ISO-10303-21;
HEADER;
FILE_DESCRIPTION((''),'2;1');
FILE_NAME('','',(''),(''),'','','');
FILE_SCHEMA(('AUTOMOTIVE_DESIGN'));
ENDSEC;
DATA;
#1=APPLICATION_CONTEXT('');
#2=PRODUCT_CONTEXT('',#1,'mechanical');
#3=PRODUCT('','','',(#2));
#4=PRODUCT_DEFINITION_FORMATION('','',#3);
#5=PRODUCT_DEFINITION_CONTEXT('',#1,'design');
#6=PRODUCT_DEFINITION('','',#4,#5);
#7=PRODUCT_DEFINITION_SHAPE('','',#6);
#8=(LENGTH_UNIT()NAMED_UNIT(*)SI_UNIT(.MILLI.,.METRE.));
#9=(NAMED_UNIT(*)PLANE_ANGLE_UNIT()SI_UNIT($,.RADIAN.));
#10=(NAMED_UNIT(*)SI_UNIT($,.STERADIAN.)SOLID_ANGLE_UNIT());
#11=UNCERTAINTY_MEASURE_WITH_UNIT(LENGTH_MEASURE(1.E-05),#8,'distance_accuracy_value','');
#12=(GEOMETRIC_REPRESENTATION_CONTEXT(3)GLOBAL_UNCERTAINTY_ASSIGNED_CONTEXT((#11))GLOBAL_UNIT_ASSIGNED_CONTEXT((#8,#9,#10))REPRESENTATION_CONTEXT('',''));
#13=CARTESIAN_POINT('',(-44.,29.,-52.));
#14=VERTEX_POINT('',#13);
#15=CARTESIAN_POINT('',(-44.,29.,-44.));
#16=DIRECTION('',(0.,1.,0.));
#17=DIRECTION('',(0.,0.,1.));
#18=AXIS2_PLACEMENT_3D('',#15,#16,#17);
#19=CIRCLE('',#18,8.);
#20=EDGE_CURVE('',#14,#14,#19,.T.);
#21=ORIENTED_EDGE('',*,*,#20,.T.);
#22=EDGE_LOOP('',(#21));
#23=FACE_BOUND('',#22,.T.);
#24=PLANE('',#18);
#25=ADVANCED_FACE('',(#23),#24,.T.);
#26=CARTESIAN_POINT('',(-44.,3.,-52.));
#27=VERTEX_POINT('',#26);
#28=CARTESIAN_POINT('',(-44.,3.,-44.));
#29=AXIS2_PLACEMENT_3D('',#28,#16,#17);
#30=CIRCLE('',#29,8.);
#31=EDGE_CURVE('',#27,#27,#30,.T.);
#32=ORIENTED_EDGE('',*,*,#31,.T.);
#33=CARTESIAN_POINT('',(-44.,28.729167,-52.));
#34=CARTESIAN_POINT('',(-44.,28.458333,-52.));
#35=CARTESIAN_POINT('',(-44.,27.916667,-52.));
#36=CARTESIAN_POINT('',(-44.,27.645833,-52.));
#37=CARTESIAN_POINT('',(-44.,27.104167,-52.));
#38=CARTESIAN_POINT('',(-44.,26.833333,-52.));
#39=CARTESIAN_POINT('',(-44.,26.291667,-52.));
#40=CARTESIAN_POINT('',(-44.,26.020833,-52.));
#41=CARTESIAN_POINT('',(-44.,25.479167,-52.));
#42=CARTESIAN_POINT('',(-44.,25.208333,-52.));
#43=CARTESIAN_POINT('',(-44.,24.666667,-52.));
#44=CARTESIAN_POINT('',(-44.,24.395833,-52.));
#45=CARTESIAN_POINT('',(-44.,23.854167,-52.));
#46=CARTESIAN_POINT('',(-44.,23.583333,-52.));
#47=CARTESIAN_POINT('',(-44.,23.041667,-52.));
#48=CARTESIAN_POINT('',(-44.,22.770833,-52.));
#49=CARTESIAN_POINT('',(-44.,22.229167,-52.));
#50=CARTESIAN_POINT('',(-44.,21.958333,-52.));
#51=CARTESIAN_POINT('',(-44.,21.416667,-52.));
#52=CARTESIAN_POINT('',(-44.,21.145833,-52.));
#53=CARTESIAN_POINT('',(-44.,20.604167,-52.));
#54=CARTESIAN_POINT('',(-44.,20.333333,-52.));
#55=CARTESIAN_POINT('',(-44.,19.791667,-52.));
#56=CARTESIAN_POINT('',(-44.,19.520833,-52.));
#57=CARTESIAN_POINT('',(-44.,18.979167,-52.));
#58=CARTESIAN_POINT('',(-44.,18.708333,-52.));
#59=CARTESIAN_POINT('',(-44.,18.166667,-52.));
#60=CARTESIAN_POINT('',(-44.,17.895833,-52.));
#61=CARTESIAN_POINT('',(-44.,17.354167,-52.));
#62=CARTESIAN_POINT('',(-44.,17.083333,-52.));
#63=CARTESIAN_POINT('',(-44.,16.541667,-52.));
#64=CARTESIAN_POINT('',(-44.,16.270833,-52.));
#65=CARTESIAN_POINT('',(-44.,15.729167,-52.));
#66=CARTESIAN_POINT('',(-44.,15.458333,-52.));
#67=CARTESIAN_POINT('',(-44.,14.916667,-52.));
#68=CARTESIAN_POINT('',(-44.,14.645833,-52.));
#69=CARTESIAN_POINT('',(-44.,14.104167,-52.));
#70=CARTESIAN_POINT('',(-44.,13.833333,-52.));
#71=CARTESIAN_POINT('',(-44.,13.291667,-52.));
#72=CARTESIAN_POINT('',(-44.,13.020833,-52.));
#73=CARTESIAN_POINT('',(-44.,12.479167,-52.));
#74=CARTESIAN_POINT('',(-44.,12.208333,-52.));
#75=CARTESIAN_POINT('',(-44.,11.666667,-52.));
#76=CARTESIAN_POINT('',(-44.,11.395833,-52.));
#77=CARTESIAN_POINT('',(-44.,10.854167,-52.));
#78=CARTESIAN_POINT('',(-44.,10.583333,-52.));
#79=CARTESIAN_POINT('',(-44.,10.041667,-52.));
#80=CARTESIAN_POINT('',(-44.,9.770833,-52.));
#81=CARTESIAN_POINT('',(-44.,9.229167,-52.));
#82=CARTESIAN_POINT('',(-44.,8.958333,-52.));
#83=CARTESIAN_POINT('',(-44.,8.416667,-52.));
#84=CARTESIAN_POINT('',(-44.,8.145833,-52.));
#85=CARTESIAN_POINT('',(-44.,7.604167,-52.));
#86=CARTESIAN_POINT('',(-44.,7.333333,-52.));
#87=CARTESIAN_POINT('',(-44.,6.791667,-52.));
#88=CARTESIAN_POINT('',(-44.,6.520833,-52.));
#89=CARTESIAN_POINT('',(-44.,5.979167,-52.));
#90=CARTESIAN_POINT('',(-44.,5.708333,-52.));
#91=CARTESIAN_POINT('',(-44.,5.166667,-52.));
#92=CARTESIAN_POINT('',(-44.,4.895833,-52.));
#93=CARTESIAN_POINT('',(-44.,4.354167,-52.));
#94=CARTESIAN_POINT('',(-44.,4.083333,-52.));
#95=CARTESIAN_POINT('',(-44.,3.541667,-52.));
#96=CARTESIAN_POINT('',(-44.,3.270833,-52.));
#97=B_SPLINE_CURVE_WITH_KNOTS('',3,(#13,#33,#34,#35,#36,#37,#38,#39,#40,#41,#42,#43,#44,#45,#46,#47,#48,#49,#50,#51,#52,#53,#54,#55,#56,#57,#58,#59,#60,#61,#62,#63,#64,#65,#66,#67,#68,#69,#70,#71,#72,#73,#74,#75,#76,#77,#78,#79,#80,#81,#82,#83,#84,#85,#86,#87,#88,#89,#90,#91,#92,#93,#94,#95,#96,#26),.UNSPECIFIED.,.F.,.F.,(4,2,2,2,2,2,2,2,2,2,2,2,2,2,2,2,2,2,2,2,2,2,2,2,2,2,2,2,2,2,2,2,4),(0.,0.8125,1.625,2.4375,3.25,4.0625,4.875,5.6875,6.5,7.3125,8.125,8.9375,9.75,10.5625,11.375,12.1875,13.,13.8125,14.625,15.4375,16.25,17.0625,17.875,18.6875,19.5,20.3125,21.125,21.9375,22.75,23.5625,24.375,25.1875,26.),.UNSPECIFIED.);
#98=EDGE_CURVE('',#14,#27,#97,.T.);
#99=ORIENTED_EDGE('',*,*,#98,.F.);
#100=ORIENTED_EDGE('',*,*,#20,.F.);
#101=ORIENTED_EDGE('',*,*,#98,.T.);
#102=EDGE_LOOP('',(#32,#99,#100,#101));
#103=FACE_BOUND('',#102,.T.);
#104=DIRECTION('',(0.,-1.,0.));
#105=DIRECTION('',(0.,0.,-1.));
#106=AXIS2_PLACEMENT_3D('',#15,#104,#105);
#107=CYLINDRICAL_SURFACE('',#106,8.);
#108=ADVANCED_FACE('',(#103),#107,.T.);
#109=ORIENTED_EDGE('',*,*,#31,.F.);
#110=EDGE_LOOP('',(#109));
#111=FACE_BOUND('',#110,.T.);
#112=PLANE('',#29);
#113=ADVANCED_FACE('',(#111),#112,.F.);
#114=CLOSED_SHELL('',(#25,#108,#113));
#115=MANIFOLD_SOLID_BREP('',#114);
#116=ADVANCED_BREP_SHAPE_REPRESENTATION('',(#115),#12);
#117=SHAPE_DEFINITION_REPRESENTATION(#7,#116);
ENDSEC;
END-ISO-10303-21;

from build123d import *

# Parameters (mm, degrees)
CAN_START = 3
SKETCH1_R = 8
CAN_DEPTH = 26


with BuildPart() as part:
    # Sketch1 → Can (new body)
    with BuildSketch(Plane(origin=(0, 0, 0), x_dir=(1, 0, 0), z_dir=(0, 1, 0)).offset(CAN_START)):
        with Locations(Location((-44, 44, 0), (0, 0, 90))):
            Circle(SKETCH1_R)
    extrude(amount=CAN_DEPTH)


solid = part.part
